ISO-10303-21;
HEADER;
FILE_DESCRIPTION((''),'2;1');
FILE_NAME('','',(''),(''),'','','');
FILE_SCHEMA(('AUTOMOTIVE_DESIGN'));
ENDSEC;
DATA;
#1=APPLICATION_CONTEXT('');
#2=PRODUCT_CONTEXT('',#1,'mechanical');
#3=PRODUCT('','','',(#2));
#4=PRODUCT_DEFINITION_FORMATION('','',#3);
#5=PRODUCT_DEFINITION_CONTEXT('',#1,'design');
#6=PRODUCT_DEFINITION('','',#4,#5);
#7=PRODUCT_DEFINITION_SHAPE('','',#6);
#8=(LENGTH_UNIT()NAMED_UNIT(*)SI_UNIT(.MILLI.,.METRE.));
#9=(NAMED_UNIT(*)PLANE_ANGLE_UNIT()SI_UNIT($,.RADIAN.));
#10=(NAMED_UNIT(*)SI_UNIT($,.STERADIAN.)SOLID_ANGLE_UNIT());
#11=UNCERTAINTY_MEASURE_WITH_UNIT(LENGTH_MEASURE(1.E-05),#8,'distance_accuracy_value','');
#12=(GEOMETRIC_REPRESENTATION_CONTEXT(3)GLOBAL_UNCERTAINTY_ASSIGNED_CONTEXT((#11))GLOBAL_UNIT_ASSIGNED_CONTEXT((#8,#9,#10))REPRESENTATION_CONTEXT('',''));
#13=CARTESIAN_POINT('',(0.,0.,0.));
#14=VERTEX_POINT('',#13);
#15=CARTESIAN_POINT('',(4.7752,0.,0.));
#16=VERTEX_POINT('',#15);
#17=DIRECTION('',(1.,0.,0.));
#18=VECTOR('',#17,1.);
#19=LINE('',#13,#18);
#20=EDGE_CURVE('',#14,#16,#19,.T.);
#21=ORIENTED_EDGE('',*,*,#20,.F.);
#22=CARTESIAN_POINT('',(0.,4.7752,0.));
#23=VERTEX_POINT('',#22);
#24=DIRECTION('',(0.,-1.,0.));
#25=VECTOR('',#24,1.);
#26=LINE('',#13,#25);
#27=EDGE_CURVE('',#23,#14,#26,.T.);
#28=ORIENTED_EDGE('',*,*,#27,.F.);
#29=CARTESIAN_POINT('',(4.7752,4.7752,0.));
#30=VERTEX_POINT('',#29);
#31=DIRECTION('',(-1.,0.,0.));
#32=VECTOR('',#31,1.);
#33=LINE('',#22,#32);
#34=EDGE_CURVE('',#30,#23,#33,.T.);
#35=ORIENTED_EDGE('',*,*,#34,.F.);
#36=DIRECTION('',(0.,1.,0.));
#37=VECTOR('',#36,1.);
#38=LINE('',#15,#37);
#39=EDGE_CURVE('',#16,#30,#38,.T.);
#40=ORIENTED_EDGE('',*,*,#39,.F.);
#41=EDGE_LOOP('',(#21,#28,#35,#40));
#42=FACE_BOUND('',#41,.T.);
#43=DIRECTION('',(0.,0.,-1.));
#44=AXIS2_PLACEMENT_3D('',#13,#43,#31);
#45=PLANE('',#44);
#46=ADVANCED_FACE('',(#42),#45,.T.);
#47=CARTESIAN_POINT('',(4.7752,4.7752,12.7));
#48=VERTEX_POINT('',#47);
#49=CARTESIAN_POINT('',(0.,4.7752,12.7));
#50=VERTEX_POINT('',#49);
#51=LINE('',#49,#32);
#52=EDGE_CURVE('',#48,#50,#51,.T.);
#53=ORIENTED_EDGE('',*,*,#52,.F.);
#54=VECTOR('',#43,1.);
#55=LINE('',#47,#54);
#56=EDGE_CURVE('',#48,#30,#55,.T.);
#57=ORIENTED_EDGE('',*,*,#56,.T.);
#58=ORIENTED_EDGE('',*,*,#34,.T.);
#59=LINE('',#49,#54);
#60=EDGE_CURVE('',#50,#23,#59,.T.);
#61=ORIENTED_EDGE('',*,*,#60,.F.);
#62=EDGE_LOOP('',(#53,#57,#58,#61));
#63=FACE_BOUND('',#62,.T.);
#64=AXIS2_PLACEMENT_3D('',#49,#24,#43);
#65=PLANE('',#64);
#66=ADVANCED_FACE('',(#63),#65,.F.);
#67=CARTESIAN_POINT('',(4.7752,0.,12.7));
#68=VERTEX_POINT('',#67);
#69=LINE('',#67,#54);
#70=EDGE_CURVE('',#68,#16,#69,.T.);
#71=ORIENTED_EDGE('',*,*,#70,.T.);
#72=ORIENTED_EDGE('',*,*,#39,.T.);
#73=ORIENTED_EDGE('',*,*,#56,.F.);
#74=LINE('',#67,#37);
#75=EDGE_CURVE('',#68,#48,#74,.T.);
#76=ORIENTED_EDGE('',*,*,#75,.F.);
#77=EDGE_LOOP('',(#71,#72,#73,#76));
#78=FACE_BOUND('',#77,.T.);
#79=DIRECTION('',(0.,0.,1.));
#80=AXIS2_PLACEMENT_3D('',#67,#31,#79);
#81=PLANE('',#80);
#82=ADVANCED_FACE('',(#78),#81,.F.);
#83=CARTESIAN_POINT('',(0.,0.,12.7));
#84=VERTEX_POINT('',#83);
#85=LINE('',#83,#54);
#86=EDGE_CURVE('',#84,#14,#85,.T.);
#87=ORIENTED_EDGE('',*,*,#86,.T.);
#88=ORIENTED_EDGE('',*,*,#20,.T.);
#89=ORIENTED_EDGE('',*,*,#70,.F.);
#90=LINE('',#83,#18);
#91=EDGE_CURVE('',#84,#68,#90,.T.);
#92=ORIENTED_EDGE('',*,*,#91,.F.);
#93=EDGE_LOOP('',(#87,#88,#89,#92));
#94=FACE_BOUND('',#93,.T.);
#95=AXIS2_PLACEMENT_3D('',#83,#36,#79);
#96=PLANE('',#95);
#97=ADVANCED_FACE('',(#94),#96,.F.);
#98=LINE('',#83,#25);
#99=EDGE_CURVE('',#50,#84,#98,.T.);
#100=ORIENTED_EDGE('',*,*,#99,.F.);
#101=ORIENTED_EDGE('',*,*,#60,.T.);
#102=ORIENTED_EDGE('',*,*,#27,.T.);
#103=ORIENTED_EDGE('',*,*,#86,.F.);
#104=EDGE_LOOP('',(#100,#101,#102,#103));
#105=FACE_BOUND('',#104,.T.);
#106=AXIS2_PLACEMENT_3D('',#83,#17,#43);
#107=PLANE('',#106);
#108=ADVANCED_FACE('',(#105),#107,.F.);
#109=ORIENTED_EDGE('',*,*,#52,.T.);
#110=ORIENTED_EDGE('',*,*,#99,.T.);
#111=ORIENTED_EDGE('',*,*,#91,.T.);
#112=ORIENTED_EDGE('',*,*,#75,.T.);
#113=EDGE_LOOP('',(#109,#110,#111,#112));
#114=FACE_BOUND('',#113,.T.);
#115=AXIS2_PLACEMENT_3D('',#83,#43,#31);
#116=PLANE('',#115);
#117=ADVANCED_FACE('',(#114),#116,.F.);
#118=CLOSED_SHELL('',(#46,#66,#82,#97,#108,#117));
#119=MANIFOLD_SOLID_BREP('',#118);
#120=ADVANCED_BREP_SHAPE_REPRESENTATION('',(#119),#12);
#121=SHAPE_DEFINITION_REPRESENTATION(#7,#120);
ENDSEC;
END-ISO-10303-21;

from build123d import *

# Parameters (mm, degrees)
SKETCH1_W           = 4.7752
SKETCH1_H           = 4.7752
BOSS_EXTRUDE1_DEPTH = 12.7


with BuildPart() as part:
    # Sketch1 → Boss-Extrude1 (new body)
    with BuildSketch(Plane.XY):
        with Locations((2.3876, 2.3876)):
            Rectangle(SKETCH1_W, SKETCH1_H)
    extrude(amount=BOSS_EXTRUDE1_DEPTH)


solid = part.part
